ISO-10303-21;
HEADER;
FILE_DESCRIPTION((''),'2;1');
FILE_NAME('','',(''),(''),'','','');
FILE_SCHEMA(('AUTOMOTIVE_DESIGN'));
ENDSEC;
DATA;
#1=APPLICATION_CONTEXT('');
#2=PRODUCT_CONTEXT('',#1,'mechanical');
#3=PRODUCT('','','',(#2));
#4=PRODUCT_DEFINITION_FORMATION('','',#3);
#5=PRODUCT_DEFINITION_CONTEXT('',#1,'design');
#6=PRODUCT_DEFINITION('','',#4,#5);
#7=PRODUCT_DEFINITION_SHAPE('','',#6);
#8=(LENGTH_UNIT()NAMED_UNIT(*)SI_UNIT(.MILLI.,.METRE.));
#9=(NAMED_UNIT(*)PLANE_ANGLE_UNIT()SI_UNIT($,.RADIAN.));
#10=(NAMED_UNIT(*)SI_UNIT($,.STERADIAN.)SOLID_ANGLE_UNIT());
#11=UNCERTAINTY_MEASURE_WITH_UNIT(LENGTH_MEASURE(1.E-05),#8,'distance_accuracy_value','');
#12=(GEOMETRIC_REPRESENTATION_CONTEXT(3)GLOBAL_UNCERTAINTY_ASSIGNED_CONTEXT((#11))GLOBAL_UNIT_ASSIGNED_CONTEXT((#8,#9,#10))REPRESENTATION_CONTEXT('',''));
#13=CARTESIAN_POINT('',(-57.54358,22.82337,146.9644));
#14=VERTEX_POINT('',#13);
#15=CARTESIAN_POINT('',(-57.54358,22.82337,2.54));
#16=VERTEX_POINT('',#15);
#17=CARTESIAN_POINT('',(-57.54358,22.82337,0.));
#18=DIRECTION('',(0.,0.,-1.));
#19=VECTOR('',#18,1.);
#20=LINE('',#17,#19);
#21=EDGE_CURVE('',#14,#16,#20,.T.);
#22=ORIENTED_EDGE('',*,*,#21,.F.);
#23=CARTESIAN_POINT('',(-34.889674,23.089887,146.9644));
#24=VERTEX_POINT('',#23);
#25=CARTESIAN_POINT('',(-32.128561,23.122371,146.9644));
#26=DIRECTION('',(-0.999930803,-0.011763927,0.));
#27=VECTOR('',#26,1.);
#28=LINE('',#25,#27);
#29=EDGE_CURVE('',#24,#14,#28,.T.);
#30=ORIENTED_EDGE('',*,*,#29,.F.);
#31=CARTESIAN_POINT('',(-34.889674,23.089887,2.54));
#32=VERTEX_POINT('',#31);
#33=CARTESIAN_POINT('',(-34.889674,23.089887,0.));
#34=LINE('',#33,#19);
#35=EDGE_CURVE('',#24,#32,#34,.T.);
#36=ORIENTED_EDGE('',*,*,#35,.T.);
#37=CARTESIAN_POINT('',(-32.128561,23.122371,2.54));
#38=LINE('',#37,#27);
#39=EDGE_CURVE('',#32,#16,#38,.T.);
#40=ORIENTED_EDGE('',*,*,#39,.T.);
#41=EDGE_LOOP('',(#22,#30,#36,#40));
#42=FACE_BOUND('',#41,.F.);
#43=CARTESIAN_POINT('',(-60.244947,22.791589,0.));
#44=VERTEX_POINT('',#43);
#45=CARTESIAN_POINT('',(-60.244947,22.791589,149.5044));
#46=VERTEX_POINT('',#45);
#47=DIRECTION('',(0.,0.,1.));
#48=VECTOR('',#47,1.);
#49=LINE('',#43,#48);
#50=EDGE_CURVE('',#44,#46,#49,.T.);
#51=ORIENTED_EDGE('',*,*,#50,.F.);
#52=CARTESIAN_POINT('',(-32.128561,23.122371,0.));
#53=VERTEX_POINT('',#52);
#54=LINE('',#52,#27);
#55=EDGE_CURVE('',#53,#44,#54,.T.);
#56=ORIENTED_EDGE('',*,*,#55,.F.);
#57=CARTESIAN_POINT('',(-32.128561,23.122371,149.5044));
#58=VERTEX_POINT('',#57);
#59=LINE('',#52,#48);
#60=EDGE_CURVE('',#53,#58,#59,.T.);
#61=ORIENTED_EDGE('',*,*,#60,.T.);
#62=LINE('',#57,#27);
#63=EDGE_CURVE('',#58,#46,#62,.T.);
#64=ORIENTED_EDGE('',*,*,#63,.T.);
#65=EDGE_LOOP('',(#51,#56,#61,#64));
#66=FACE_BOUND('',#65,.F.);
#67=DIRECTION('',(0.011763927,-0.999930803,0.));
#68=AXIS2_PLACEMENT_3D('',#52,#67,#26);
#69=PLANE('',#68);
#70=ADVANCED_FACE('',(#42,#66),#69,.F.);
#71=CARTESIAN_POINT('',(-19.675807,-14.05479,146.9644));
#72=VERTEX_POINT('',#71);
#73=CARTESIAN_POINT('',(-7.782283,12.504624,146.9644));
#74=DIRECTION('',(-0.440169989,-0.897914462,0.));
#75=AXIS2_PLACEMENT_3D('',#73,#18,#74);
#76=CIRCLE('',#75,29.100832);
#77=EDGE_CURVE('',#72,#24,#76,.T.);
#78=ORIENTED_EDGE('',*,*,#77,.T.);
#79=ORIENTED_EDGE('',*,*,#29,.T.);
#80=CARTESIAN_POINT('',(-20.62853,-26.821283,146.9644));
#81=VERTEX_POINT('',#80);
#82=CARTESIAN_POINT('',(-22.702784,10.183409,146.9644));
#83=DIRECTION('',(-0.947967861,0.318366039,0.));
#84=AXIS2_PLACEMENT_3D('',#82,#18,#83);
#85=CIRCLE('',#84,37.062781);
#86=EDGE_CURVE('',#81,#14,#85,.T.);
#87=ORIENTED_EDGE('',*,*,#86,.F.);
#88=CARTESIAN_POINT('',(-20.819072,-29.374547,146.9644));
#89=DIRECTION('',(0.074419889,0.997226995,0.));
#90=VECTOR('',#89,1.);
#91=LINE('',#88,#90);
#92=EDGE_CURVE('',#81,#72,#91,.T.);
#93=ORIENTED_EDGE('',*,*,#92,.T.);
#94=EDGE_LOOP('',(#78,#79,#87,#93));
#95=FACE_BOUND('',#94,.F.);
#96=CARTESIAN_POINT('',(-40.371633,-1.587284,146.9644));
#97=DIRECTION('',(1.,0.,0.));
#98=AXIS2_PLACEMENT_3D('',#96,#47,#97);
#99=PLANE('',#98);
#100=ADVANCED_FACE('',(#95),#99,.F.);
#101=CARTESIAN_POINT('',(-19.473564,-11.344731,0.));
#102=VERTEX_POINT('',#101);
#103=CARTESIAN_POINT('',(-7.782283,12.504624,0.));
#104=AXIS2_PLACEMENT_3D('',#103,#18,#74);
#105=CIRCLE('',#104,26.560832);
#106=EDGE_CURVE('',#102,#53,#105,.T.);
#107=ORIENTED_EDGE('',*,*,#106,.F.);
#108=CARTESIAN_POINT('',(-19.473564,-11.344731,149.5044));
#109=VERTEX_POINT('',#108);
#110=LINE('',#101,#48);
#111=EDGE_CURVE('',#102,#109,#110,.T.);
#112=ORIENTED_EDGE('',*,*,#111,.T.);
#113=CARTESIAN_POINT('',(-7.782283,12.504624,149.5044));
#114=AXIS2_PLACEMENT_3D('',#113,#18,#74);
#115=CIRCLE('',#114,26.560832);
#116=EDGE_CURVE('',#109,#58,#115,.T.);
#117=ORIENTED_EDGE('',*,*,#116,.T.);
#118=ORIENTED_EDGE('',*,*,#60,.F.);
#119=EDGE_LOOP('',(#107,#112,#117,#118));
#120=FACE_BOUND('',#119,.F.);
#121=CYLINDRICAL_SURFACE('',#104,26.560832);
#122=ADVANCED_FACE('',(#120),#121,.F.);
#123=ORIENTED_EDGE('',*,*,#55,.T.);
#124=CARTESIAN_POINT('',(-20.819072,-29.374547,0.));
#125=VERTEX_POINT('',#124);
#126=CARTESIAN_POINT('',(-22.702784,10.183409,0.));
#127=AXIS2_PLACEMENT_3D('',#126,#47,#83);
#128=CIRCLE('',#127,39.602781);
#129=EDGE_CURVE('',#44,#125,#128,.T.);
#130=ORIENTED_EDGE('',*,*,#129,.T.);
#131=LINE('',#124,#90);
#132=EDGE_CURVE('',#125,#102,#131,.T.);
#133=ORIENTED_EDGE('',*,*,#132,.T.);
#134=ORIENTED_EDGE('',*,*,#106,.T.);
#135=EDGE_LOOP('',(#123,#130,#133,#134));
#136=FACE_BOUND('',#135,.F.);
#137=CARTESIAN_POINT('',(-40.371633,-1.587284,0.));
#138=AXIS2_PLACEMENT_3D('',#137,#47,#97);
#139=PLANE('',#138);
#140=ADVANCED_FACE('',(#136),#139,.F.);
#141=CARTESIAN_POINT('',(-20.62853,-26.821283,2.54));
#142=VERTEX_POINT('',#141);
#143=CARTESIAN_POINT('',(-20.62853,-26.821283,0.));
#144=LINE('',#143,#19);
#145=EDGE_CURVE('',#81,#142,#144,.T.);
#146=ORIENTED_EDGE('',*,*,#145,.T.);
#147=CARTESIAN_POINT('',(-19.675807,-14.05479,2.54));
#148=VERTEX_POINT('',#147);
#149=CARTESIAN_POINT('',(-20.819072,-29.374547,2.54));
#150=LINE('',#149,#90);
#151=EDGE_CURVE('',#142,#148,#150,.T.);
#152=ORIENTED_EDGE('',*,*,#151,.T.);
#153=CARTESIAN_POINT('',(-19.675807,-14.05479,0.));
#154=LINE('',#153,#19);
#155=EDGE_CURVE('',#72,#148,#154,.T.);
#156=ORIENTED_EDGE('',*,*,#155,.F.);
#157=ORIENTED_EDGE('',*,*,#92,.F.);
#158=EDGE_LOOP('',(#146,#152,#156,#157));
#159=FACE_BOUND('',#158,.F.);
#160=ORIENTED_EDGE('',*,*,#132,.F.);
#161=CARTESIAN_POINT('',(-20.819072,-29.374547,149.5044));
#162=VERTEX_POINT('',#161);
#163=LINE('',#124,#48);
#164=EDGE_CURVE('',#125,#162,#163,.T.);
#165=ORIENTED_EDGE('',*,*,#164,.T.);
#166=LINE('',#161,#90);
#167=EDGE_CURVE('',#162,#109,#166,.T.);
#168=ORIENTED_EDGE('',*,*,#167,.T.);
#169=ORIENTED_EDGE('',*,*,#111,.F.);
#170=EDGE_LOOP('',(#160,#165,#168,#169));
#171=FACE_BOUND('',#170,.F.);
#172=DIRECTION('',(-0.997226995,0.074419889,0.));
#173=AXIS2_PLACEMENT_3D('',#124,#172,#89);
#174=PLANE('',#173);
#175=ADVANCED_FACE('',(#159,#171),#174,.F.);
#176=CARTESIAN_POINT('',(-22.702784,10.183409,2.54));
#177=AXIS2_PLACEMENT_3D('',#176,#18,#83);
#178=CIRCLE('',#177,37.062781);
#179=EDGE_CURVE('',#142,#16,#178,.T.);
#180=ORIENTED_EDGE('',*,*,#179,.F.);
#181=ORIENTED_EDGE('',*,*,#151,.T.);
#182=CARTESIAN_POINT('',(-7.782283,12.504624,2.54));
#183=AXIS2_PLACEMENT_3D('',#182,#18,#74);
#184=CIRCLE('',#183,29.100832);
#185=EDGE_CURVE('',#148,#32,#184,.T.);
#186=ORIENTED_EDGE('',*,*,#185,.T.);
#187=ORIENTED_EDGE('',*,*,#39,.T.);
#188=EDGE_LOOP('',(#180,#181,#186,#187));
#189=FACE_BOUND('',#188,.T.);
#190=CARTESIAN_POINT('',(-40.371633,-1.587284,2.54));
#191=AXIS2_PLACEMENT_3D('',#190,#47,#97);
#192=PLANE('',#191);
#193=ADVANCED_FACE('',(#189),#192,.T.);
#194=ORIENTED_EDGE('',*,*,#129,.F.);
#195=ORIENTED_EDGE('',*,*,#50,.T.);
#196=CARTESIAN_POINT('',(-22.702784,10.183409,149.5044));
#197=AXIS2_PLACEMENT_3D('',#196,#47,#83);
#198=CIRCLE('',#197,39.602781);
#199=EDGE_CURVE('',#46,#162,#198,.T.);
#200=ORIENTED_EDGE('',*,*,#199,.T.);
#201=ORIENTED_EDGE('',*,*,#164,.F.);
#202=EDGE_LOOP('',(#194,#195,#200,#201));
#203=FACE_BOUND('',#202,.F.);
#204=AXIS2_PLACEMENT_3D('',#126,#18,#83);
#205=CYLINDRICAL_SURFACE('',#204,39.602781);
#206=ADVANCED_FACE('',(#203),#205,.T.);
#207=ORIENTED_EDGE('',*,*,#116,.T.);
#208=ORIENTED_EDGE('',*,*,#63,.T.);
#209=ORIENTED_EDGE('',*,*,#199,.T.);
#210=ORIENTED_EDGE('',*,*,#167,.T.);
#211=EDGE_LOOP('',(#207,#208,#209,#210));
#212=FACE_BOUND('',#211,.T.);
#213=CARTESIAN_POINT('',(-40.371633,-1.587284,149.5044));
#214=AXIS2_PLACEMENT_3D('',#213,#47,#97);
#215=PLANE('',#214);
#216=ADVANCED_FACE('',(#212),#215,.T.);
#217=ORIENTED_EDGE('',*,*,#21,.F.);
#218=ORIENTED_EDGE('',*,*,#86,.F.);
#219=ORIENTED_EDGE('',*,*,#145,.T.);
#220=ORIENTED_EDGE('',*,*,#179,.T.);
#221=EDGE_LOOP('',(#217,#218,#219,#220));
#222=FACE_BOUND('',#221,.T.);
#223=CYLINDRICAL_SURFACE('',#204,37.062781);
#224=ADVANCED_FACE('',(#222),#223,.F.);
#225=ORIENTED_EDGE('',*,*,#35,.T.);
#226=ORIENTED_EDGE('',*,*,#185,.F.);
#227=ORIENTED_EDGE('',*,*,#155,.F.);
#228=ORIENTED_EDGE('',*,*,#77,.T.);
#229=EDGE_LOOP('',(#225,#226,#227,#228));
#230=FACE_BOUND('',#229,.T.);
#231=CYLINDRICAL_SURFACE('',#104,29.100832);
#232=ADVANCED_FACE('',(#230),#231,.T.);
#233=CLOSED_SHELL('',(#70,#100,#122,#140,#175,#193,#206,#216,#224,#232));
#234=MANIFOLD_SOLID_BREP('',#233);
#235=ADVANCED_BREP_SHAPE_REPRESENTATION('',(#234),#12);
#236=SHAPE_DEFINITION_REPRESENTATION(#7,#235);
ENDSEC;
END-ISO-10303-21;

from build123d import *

# Parameters (mm, degrees)
F1_DEPTH = 149.5044
F2_T     = -2.54


with BuildPart() as f1:
    # F0 (on Top) → F1 (new body)
    with BuildSketch(Plane.XY):
        with BuildLine():
            Line((-32.128561, 23.122371), (-60.244947, 22.791589))
            ThreePointArc((-60.244947, 22.791589), (-54.297209, -13.694877), (-20.819072, -29.374547))
            Line((-20.819072, -29.374547), (-19.473564, -11.344731))
            ThreePointArc((-19.473564, -11.344731), (-32.715628, 3.350057), (-32.128561, 23.122371))
        make_face()
    extrude(amount=F1_DEPTH)

    # F2
    f2_openings = [f1.faces().sort_by_distance(p)[0] for p in [
        (-46.186754, 22.95698, 74.7522),
        (-20.146318, -20.359639, 74.7522),
    ]]
    offset(amount=F2_T, openings=f2_openings)


solid = f1.part
